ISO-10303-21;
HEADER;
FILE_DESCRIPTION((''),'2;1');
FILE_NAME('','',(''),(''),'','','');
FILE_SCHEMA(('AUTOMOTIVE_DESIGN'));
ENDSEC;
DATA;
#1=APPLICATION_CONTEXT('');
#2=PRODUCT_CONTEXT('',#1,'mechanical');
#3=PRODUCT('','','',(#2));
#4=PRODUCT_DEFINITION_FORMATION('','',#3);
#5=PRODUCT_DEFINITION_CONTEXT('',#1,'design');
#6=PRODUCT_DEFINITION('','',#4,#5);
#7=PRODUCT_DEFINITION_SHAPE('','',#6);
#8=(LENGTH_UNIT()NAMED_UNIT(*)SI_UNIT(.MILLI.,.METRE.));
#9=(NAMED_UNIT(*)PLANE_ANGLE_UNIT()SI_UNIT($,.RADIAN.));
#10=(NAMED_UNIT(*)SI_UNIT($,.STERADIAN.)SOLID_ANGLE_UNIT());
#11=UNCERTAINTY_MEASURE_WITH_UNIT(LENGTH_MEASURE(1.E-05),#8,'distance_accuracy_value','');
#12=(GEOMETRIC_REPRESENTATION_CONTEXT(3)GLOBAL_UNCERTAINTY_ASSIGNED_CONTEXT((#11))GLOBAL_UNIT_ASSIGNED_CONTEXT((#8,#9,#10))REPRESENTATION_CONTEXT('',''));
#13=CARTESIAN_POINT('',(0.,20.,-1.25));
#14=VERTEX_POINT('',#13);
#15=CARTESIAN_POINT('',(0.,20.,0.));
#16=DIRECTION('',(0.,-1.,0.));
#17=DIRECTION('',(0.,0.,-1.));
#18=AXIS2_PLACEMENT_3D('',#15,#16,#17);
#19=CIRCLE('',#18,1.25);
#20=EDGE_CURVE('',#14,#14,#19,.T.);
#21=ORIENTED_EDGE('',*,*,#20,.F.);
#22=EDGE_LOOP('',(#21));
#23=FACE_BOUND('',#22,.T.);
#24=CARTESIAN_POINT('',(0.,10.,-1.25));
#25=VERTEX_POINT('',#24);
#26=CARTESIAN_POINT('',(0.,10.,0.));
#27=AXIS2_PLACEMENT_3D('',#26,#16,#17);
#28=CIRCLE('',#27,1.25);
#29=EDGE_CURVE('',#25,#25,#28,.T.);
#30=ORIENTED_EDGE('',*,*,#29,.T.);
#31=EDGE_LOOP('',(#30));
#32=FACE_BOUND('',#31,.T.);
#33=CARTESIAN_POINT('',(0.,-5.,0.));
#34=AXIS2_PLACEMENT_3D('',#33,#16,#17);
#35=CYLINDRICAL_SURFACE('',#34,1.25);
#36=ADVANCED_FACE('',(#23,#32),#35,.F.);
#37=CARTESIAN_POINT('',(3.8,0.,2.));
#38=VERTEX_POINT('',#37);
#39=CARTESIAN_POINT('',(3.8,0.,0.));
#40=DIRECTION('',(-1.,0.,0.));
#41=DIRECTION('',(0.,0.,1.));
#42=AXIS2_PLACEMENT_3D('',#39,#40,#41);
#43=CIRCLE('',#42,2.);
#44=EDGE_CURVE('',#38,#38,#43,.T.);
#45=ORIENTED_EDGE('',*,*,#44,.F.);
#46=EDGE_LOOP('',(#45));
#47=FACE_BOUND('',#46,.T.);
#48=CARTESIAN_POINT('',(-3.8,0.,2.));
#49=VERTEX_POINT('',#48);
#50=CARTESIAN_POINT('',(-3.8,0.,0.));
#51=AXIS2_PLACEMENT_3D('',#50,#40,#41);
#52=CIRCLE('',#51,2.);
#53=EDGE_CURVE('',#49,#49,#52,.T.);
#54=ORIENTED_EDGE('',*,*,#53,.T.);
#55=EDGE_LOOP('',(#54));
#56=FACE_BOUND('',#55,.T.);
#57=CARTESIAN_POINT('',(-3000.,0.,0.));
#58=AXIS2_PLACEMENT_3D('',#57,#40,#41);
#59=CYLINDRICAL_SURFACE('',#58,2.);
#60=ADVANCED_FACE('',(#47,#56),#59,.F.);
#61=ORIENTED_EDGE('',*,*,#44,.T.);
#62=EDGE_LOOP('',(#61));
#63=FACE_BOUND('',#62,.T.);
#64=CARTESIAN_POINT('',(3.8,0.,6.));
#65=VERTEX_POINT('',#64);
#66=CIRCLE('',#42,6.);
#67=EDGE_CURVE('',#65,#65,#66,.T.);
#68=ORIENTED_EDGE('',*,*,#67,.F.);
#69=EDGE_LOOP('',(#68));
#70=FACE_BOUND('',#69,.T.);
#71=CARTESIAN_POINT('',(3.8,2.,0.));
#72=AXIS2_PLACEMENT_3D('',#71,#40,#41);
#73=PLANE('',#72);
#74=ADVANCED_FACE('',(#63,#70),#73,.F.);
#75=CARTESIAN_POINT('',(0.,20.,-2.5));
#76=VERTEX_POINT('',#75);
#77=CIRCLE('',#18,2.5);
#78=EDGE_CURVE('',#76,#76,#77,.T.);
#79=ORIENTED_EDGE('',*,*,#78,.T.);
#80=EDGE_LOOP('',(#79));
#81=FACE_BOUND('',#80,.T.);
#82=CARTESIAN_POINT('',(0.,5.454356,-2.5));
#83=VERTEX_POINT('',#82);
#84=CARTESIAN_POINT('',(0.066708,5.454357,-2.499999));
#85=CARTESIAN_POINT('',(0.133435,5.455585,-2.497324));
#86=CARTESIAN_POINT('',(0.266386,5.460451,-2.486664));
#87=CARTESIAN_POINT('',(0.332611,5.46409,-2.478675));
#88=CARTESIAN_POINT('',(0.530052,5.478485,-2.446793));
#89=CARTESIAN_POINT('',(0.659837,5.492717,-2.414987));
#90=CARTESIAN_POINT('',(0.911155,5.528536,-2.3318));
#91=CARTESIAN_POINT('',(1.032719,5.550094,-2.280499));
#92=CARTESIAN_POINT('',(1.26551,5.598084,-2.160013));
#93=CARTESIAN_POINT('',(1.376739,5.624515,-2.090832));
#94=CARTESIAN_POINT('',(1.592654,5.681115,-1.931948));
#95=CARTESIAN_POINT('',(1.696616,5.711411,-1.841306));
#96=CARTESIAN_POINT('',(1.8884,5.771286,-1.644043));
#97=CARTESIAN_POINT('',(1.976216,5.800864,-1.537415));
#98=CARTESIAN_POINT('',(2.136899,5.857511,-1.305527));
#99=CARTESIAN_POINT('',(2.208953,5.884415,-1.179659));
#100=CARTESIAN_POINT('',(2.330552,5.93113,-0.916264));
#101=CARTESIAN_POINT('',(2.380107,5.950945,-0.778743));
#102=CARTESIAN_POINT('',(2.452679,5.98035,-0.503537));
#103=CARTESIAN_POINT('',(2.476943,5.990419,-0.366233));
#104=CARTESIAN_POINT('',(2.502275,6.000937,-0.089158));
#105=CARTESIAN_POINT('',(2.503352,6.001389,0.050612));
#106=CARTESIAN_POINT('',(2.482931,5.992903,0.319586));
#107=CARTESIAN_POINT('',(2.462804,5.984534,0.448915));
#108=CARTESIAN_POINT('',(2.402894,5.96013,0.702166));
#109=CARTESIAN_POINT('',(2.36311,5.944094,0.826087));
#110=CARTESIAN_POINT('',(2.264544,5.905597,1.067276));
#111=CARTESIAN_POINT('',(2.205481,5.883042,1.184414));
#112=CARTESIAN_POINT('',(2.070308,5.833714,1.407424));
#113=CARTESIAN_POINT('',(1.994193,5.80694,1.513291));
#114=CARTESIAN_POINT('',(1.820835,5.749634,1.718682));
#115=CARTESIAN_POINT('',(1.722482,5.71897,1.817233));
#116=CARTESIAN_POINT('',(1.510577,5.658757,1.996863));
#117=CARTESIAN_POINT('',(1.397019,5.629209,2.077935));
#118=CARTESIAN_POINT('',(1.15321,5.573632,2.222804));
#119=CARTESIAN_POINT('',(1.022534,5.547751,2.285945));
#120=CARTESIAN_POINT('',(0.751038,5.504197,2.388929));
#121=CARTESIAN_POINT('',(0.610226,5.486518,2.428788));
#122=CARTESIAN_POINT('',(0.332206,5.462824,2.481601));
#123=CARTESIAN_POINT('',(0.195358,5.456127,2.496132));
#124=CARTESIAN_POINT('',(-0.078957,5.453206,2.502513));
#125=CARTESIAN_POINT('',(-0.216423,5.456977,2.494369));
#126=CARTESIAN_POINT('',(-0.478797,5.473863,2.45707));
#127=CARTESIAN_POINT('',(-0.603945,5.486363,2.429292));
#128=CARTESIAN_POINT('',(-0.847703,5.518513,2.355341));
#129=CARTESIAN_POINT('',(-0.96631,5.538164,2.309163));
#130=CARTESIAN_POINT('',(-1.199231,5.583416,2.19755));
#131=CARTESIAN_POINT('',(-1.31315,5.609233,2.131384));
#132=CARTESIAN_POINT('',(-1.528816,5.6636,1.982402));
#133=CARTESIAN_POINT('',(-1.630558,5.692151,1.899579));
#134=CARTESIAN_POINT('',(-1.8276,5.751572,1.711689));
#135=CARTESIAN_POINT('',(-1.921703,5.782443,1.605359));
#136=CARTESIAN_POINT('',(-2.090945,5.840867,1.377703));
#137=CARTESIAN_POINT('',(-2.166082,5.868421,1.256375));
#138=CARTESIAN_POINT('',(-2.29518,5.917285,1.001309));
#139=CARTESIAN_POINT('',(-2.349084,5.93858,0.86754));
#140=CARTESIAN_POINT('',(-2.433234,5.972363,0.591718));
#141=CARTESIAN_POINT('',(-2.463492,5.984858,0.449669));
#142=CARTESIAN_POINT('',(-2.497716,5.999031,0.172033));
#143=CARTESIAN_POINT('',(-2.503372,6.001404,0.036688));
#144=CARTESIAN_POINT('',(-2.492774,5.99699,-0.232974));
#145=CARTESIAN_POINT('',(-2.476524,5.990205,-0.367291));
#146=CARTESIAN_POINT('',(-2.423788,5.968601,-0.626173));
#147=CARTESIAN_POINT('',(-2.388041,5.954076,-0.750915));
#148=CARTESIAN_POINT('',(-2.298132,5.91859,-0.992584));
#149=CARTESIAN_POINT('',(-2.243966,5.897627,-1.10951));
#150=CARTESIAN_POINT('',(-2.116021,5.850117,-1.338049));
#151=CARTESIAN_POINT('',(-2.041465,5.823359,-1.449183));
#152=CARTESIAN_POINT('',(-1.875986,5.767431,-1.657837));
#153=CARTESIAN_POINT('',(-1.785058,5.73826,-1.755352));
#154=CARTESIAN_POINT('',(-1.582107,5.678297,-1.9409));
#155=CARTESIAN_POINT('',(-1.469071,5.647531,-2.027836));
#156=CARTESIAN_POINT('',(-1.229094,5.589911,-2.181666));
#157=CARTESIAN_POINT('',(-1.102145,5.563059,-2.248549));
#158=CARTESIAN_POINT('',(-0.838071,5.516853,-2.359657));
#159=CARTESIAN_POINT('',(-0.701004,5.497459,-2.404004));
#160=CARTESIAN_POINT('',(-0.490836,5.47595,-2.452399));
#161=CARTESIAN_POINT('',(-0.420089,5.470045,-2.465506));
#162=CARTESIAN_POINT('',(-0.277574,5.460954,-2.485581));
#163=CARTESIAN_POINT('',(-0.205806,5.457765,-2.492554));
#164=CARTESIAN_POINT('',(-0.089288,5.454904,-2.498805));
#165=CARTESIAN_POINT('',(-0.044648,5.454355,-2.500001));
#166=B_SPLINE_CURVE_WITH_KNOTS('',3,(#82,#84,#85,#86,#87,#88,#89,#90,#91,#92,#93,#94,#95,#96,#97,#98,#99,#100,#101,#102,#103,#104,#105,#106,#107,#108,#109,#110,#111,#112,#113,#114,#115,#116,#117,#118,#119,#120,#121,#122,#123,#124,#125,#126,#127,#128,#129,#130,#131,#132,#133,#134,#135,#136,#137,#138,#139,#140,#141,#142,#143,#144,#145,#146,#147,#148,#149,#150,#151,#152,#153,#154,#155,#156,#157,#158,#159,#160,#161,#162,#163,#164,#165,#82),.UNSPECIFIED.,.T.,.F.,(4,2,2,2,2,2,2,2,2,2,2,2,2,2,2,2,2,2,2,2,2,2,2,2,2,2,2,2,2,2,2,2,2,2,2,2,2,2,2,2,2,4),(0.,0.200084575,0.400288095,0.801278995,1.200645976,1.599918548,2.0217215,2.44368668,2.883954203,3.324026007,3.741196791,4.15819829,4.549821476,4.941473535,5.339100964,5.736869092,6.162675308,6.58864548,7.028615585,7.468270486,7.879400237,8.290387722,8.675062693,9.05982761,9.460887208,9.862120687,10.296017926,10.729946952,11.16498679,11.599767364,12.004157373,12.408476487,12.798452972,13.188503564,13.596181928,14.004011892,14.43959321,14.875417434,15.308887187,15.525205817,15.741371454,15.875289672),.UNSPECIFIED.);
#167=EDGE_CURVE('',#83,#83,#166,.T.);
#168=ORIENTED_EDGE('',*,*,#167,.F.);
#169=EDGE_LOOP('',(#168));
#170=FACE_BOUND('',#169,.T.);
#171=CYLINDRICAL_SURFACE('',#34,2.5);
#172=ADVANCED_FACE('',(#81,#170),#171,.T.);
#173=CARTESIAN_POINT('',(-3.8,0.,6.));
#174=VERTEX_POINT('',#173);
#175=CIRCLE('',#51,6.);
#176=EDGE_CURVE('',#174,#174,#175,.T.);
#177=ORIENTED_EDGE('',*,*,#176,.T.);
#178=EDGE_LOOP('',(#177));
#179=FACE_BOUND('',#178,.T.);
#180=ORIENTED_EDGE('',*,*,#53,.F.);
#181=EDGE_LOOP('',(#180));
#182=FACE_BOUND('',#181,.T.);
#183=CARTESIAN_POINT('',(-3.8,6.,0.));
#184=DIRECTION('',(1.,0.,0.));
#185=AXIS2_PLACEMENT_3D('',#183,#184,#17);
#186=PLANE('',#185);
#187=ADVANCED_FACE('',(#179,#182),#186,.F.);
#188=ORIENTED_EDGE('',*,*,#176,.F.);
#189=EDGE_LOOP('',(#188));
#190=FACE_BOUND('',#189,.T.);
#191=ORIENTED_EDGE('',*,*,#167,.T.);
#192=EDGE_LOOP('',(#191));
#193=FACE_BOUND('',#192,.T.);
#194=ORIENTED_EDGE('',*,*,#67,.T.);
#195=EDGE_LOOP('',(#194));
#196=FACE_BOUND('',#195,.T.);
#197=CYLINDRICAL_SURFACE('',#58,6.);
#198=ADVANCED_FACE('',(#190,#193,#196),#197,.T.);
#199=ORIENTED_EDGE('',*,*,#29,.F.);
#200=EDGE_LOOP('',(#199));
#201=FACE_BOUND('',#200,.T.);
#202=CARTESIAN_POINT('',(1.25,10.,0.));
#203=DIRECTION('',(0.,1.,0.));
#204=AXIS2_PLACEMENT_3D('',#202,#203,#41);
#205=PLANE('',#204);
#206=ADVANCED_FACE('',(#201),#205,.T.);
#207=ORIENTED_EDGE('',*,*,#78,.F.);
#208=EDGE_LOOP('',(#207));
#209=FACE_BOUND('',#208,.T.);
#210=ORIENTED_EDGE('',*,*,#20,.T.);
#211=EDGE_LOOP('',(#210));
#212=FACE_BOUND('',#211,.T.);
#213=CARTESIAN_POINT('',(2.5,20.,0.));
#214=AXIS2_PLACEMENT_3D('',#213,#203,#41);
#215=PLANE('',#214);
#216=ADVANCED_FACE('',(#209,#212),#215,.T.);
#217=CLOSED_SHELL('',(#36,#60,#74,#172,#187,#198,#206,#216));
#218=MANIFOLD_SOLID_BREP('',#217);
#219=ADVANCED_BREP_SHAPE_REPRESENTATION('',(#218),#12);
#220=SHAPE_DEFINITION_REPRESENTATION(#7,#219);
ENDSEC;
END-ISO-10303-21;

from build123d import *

# Parameters (mm, degrees)
EYE_SKETCH_W = 7.6
EYE_SKETCH_H = 4


with BuildPart() as part:
    # Eye Sketch → Eye (revolve)
    with BuildSketch(Plane.XY):
        with Locations((0, 4)):
            Rectangle(EYE_SKETCH_W, EYE_SKETCH_H)
    revolve(axis=Axis((-3000, 0, 0), (1, 0, 0)))

    # Shank Sketch → Shank (revolve)
    with BuildSketch(Plane.XY):
        Polygon((0, 5), (2.5, 5), (2.5, 20), (1.25, 20), (1.25, 10), (0, 10), align=None)
    revolve(axis=Axis((0, -5, 0), (0, 1, 0)))


solid = part.part
